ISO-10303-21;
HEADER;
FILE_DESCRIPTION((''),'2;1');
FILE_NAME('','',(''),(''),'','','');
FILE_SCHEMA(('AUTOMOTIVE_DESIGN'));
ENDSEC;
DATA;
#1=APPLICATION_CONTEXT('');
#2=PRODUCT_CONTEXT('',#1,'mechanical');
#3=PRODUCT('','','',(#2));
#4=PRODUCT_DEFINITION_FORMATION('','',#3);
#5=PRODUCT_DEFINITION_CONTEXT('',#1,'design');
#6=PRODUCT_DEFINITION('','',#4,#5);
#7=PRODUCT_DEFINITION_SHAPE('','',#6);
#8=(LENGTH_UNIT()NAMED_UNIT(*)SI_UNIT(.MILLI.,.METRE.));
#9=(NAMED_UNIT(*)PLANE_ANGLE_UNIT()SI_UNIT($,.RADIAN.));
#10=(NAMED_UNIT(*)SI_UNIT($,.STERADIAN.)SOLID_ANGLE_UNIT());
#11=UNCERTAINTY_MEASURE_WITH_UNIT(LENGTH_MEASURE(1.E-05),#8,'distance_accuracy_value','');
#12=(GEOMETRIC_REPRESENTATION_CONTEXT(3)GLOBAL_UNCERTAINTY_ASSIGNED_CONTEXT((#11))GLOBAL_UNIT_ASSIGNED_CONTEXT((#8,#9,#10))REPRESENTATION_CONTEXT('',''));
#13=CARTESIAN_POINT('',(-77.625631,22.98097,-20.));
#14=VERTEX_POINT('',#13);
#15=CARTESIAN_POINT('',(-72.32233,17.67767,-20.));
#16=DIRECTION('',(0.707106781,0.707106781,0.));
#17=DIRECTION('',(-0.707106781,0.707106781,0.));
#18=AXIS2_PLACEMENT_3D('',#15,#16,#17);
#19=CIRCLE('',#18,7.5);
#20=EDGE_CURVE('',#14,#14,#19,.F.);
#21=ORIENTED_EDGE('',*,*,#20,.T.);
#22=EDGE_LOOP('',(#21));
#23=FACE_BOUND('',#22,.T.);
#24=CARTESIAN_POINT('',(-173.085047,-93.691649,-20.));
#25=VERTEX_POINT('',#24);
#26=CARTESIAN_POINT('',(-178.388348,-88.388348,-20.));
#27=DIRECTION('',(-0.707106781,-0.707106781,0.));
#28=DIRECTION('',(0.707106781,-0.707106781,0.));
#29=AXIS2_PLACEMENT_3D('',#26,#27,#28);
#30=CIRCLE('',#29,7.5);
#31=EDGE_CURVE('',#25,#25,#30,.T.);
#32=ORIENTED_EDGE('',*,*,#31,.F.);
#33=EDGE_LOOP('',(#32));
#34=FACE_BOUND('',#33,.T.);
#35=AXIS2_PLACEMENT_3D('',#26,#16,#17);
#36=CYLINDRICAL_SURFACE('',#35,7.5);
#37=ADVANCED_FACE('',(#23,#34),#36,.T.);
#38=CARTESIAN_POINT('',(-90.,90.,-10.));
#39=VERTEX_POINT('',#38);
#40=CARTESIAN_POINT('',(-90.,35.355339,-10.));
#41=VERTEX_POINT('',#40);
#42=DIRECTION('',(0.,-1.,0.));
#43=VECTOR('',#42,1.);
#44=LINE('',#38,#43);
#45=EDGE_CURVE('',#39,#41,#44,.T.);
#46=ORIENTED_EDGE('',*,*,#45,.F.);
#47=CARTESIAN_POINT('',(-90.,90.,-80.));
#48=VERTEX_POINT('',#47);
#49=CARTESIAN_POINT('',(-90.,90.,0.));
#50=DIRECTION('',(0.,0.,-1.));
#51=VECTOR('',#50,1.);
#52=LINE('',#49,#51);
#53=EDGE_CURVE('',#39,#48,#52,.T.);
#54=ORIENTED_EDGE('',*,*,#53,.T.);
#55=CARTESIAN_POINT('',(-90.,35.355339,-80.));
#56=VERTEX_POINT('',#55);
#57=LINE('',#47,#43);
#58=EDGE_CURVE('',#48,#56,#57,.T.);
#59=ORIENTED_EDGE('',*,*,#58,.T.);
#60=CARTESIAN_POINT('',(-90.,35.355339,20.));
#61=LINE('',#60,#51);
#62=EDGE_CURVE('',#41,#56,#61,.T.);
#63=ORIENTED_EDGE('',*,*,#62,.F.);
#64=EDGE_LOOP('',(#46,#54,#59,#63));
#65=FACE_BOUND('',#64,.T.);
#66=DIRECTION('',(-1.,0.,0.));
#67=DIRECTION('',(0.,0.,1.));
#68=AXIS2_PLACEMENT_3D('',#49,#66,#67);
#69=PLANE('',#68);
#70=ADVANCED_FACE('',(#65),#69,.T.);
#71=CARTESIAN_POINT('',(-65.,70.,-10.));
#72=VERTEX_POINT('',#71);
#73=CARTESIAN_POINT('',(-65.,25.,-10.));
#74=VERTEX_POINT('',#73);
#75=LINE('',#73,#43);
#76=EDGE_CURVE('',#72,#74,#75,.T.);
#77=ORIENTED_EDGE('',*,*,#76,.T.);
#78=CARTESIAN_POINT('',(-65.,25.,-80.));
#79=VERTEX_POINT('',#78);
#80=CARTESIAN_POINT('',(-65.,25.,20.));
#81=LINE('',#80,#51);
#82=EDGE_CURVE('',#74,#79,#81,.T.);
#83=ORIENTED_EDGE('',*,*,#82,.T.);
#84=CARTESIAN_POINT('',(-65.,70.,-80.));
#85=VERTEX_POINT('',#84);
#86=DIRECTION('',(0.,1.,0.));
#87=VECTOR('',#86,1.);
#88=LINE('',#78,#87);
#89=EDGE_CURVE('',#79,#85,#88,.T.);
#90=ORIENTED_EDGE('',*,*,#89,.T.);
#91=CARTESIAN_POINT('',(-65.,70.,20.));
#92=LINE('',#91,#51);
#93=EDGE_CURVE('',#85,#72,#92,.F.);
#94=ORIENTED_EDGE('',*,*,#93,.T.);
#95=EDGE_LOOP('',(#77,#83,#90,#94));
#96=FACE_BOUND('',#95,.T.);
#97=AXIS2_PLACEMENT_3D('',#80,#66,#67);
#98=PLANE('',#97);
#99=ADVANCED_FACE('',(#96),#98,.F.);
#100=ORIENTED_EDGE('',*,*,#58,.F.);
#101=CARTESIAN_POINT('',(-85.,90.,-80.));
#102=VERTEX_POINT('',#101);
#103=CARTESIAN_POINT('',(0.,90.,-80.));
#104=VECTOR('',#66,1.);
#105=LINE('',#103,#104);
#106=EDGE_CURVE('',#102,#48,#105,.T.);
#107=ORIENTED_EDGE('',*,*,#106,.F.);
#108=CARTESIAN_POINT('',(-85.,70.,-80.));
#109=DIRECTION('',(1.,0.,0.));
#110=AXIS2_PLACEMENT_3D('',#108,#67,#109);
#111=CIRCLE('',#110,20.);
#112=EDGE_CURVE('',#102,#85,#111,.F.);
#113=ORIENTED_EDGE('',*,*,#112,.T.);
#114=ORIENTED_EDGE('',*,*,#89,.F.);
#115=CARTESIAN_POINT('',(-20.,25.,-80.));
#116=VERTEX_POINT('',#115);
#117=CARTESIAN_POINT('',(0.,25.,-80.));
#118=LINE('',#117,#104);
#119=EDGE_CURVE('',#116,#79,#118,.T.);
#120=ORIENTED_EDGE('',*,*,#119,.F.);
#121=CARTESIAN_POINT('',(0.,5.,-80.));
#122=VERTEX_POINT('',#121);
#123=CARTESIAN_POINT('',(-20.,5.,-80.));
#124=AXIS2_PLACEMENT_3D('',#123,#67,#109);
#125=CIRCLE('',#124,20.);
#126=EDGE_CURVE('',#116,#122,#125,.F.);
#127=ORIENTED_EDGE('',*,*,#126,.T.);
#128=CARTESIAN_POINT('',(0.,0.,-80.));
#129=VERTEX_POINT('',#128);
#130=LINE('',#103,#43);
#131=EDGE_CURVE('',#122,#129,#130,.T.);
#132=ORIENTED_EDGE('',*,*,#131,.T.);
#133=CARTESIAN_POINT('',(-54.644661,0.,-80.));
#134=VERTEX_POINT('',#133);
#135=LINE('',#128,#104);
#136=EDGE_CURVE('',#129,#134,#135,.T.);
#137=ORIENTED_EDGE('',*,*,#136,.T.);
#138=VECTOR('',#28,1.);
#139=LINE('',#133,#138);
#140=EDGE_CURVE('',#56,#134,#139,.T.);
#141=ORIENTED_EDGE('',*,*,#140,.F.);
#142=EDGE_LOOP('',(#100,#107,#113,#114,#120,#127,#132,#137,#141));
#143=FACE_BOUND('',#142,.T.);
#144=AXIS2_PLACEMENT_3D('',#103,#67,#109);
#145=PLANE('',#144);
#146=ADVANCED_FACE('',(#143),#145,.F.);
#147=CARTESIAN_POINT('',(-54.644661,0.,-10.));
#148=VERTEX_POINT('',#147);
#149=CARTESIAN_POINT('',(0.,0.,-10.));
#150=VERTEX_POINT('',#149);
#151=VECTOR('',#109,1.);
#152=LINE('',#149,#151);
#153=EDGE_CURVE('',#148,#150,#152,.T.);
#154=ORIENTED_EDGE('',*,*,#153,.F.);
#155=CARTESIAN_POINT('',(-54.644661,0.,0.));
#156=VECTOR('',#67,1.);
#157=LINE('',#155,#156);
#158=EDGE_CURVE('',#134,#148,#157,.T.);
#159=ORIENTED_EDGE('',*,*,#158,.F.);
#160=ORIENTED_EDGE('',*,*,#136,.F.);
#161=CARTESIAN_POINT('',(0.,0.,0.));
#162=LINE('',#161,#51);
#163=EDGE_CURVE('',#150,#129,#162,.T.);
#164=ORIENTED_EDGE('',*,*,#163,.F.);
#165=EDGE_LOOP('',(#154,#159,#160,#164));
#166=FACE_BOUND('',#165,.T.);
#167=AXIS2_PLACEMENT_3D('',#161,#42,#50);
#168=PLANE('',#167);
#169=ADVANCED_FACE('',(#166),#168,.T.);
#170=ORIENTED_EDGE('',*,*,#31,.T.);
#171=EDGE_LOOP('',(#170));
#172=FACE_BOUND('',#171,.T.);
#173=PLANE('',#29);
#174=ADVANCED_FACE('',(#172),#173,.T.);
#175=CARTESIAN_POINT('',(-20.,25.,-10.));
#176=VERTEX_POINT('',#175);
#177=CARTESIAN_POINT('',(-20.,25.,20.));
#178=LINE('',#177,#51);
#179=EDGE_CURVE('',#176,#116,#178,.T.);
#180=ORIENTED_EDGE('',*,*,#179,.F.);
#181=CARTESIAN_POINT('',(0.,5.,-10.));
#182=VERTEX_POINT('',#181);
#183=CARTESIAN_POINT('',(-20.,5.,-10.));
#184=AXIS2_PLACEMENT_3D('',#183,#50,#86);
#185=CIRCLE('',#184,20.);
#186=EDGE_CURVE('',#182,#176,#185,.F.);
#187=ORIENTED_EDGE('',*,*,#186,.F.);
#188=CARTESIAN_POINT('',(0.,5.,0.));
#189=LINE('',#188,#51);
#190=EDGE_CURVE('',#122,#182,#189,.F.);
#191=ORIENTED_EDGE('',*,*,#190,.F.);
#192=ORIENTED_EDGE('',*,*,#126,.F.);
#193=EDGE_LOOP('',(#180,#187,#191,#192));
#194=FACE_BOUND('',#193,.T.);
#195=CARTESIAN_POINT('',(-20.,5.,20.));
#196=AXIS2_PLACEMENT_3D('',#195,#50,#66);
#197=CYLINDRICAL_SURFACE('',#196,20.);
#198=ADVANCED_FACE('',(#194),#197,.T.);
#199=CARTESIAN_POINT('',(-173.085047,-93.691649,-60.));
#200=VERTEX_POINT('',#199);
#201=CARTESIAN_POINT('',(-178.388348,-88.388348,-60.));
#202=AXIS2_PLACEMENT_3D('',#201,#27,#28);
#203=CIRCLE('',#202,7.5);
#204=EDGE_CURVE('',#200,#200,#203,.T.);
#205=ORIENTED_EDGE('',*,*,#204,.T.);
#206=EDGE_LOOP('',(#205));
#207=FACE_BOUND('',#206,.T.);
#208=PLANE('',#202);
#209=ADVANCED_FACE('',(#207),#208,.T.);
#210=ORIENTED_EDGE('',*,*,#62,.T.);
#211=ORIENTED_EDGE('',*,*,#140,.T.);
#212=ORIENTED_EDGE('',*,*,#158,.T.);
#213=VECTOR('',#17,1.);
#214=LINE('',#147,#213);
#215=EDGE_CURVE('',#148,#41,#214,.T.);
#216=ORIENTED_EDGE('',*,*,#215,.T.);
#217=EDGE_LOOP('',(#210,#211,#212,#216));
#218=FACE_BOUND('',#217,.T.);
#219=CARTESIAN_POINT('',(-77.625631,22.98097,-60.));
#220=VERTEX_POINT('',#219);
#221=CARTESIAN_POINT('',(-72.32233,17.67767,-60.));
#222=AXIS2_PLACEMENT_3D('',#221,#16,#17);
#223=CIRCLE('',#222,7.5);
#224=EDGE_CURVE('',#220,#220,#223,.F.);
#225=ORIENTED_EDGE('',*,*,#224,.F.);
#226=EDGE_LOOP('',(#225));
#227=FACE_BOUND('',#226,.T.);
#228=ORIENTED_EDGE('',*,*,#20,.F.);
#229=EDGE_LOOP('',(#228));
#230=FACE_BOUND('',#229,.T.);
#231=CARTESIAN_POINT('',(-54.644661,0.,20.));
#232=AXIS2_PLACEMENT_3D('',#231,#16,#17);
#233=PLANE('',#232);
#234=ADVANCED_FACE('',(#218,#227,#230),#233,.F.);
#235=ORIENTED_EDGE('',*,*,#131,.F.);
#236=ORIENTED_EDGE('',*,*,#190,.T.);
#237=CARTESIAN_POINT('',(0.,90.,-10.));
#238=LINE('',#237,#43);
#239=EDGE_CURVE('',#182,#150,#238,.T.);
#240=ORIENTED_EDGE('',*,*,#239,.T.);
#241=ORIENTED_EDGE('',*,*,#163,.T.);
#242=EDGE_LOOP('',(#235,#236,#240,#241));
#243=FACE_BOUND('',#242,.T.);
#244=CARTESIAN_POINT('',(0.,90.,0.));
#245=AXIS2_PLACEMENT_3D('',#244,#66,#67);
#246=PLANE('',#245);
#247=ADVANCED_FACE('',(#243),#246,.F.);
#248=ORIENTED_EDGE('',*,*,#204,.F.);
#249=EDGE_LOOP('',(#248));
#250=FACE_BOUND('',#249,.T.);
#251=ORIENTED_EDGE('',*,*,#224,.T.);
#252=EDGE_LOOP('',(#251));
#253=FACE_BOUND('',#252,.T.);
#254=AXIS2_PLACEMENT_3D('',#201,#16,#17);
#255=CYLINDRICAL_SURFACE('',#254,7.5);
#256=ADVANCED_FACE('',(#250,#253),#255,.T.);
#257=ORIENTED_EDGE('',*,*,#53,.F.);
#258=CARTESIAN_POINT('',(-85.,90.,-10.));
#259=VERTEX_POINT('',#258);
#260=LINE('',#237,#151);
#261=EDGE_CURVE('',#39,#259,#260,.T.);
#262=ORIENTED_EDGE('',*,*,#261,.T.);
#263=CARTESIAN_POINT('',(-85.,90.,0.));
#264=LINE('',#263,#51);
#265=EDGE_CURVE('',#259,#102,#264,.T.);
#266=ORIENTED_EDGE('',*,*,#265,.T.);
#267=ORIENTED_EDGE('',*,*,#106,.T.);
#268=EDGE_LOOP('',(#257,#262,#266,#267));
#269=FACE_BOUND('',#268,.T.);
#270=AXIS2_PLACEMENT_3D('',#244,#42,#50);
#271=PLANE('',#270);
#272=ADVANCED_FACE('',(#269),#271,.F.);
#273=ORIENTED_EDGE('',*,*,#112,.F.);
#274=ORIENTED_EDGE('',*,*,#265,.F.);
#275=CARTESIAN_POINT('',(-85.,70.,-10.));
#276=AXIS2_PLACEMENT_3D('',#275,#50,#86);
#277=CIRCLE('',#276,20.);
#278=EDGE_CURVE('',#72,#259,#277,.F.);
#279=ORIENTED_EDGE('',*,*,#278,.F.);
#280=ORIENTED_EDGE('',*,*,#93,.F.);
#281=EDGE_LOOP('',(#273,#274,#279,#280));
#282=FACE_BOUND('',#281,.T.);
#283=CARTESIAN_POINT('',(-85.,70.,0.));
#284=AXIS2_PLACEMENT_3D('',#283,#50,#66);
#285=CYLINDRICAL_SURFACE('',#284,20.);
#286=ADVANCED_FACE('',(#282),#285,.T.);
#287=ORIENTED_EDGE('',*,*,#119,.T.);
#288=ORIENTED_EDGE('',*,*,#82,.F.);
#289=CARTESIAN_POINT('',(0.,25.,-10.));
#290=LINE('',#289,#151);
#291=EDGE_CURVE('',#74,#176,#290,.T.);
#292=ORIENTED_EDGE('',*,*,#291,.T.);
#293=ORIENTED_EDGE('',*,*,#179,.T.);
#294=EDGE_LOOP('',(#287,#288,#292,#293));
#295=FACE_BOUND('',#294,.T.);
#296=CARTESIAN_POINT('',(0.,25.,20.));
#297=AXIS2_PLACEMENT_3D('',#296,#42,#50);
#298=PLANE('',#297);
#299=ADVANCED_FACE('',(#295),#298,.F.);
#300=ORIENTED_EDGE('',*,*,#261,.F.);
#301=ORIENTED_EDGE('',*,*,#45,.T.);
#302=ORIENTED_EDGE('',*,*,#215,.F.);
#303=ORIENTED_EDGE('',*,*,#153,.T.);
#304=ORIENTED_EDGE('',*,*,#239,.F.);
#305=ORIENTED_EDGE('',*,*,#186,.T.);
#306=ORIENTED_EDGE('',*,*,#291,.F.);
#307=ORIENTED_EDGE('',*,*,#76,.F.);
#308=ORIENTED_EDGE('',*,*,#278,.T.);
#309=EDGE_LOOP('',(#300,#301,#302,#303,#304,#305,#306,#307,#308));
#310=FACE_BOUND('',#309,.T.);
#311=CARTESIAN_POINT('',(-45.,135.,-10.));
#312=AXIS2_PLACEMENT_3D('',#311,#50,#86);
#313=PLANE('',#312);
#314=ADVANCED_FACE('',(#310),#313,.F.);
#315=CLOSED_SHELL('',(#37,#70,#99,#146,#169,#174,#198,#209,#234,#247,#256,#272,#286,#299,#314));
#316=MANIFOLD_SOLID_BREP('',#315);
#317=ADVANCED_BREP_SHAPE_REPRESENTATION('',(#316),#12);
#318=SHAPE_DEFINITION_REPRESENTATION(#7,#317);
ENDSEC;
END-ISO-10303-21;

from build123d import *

# Parameters (mm, degrees)
SKETCH1_W           = 90
SKETCH1_H           = 80
BOSS_EXTRUDE1_DEPTH = 90
SKETCH2_W           = 65
SKETCH2_H           = 65
CUT_EXTRUDE1_DEPTH  = 100
FILLET1_R           = 20
CUT_EXTRUDE2_DEPTH  = 100
SKETCH4_R           = 7.5
BOSS_EXTRUDE2_DEPTH = 150
SKETCH6_W           = 10
SKETCH6_H           = 127.279220614
CUT_EXTRUDE4_DEPTH  = 212.224744882


with BuildPart() as part:
    # Sketch1 → Boss-Extrude1 (new body)
    with BuildSketch(Plane(origin=(0, 0, 0), x_dir=(1, 0, 0), z_dir=(0, 1, 0))):
        with Locations((-45, 40)):
            Rectangle(SKETCH1_W, SKETCH1_H)
    extrude(amount=BOSS_EXTRUDE1_DEPTH)

    # Sketch2 → Cut-Extrude1 (cut)
    with BuildSketch(Plane(origin=(0, 0, -80), x_dir=(-1, 0, 0), z_dir=(0, 0, -1))):
        with Locations((32.5, 57.5)):
            Rectangle(SKETCH2_W, SKETCH2_H)
    extrude(amount=-CUT_EXTRUDE1_DEPTH, mode=Mode.SUBTRACT)

    # Fillet1
    fillet1_edges = [part.edges().sort_by_distance(p)[0] for p in [
        (-65, 90, -40),
        (0, 25, -40),
    ]]
    fillet(fillet1_edges, radius=FILLET1_R)

    # Sketch3 → Cut-Extrude2 (cut)
    with BuildSketch(Plane(origin=(0, 0, -80), x_dir=(-1, 0, 0), z_dir=(0, 0, -1))):
        Polygon((54.644660941, 0), (90, 35.355339059), (90, 0), align=None)
    extrude(amount=-CUT_EXTRUDE2_DEPTH, mode=Mode.SUBTRACT)

    # Sketch4 → Boss-Extrude2 (add)
    with BuildSketch(Plane(origin=(-27.32233047, -27.32233047, 0), x_dir=(0, 0, 1), z_dir=(-0.7071067811865477, -0.7071067811865475, 0))):
        with Locations(Location((-60, 63.639610307, 0), (0, 0, 90))):
            Circle(SKETCH4_R)
        with Locations(Location((-20, 63.639610307, 0), (0, 0, 90))):
            Circle(SKETCH4_R)
    extrude(amount=BOSS_EXTRUDE2_DEPTH)

    # Sketch6 → Cut-Extrude4 (cut, through all)
    with BuildSketch(Plane(origin=(-27.32233047, -27.32233047, 0), x_dir=(0, 0, 1), z_dir=(-0.7071067811865477, -0.7071067811865475, 0))):
        with Locations((-5, 63.639610307)):
            Rectangle(SKETCH6_W, SKETCH6_H)
    extrude(amount=-CUT_EXTRUDE4_DEPTH, mode=Mode.SUBTRACT)


solid = part.part
